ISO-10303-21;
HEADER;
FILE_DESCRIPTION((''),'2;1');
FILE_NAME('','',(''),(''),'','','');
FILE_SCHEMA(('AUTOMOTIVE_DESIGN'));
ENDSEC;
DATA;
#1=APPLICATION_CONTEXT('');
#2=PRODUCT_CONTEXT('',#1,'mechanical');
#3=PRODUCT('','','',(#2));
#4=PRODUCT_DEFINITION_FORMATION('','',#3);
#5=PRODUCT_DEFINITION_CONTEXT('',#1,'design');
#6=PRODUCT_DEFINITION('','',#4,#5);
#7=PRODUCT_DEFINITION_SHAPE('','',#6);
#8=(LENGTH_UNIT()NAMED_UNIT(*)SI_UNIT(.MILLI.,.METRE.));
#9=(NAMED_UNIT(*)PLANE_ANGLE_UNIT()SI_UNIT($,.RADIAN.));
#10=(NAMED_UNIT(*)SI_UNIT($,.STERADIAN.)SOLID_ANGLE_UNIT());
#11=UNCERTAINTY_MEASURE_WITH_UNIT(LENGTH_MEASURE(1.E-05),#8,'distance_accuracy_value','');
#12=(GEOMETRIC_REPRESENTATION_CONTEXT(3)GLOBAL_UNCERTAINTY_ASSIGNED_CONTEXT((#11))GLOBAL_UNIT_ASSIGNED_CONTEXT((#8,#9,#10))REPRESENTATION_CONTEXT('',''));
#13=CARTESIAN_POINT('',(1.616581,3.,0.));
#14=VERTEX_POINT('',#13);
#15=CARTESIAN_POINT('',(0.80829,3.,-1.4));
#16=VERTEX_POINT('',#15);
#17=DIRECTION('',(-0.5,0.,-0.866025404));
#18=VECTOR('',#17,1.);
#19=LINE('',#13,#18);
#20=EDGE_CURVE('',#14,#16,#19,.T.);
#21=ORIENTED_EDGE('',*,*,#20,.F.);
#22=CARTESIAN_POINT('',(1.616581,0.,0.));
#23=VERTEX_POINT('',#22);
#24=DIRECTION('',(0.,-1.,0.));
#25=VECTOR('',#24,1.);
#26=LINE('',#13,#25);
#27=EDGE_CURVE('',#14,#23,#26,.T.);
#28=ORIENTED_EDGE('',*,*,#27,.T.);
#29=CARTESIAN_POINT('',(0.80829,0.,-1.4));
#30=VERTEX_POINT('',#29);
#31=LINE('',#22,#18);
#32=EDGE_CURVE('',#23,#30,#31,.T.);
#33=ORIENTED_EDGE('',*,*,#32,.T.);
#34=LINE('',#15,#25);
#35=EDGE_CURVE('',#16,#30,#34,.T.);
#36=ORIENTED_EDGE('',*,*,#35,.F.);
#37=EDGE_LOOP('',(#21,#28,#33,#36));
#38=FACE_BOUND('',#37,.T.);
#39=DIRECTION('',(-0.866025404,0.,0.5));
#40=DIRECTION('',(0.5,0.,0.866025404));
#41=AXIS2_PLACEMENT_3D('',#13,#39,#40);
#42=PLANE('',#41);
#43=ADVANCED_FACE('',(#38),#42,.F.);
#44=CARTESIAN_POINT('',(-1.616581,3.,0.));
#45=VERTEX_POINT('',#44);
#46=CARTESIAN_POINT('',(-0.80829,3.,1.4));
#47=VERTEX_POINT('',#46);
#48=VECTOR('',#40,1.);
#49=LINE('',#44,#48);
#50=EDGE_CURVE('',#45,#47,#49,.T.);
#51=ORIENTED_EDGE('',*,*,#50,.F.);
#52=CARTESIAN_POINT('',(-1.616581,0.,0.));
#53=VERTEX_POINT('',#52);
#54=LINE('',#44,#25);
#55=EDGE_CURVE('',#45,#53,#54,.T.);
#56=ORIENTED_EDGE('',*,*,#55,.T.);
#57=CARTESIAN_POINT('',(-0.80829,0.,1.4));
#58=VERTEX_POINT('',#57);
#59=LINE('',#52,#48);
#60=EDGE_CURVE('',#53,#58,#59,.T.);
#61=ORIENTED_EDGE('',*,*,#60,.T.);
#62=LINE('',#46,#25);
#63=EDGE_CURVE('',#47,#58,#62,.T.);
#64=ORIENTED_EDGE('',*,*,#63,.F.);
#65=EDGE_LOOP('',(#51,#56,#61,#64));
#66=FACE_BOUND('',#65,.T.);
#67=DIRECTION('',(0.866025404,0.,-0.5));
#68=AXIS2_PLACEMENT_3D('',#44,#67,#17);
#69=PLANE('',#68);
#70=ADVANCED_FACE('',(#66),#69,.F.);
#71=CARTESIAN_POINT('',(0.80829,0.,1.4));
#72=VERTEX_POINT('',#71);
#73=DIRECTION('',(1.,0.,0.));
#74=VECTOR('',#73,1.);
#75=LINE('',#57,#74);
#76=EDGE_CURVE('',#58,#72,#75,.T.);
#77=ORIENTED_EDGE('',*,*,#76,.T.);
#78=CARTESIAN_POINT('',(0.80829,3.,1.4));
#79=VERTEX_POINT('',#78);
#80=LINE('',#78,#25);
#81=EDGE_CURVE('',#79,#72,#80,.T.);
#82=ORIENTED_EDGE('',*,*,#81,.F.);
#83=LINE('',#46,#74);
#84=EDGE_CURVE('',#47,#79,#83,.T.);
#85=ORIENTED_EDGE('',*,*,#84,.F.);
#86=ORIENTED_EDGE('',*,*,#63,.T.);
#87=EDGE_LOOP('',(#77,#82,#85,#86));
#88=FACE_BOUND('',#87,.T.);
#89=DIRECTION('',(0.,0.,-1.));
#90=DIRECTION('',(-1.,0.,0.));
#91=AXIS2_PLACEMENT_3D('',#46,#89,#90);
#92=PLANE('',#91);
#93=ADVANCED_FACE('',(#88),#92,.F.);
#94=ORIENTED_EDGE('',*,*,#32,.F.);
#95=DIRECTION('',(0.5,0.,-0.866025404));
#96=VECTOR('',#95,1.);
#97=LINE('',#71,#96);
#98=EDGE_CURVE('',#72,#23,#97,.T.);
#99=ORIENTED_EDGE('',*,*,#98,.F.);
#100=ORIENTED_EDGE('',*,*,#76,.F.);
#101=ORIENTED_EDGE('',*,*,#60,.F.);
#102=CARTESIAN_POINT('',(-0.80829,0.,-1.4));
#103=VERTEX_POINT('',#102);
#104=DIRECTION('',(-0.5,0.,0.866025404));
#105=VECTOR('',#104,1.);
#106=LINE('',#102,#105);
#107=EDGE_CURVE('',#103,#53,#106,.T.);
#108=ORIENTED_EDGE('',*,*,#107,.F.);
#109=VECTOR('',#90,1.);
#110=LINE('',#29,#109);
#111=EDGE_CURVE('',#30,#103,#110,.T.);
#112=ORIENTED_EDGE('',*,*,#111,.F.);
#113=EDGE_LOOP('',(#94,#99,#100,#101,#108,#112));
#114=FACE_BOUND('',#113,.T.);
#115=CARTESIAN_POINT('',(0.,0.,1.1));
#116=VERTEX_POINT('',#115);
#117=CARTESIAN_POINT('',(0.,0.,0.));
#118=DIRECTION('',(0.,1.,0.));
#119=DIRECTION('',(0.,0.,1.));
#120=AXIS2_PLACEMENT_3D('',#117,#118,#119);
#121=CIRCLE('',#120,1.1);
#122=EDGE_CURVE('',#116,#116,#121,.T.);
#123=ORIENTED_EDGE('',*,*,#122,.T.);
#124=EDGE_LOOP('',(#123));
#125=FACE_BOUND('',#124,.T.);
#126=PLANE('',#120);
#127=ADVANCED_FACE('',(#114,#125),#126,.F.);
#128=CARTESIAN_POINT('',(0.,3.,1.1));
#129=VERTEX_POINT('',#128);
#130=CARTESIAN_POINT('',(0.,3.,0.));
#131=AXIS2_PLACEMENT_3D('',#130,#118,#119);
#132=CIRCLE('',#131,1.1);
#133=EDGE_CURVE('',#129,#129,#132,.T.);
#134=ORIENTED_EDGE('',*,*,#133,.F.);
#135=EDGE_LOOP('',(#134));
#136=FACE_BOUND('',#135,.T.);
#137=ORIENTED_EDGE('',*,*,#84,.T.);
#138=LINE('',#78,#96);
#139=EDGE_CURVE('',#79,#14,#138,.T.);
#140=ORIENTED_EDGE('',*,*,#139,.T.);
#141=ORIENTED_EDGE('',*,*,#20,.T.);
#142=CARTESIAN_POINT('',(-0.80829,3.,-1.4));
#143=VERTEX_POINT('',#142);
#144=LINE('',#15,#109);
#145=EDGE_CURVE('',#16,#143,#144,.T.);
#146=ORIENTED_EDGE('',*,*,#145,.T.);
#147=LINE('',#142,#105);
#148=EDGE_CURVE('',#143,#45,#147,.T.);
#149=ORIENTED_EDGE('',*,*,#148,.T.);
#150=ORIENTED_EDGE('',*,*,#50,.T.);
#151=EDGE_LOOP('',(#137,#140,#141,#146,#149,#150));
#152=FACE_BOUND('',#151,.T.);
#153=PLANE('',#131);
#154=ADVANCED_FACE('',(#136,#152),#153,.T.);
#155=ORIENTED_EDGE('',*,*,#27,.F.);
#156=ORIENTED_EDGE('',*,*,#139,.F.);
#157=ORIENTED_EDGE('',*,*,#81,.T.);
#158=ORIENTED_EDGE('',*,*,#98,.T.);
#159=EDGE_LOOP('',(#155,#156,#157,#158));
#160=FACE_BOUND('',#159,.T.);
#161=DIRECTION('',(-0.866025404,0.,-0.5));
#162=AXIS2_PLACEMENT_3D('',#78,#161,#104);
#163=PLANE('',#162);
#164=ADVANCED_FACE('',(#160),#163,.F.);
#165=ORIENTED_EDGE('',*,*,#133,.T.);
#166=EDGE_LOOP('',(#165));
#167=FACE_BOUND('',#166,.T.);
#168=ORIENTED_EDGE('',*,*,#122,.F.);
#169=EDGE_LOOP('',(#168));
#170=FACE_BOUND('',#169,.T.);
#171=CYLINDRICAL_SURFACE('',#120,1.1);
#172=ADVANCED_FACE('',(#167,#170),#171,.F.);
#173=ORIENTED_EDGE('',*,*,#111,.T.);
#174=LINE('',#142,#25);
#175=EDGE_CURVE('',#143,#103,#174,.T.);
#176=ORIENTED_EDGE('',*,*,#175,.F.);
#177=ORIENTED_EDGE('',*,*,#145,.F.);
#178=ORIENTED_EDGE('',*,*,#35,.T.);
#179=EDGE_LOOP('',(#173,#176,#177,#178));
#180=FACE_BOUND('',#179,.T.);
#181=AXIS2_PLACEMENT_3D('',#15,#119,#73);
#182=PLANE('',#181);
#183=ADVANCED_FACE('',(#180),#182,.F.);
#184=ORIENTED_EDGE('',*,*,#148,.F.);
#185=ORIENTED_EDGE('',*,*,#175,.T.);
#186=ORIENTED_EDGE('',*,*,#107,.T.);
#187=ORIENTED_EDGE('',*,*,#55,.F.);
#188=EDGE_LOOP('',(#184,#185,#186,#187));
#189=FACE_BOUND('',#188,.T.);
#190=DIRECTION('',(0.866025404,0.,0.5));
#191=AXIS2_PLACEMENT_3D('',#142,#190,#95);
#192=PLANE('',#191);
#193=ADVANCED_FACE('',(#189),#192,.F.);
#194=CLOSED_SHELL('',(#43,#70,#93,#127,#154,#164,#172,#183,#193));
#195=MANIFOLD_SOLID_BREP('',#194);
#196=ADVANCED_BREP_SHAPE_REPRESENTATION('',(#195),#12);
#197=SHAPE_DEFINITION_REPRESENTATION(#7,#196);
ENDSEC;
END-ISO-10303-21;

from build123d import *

# Parameters (mm, degrees)
EXTRUDE_1_DEPTH     = 3
SKETCH_2_R          = 1.1
CUT_EXTRUDE_1_DEPTH = 4


with BuildPart() as part:
    # 草图1 → 凸台-拉伸1 (new body)
    with BuildSketch(Plane(origin=(0, 0, 0), x_dir=(1, 0, 0), z_dir=(0, 1, 0))):
        Polygon((1.616580754, 0), (0.808290377, 1.4), (-0.808290377, 1.4), (-1.616580754, 0), (-0.808290377, -1.4), (0.808290377, -1.4), align=None)
    extrude(amount=EXTRUDE_1_DEPTH)

    # 草图2 → 切除-拉伸1 (cut, through all)
    with BuildSketch(Plane(origin=(0, 3, 0), x_dir=(1, 0, 0), z_dir=(0, 1, 0))):
        Circle(SKETCH_2_R)
    extrude(amount=-CUT_EXTRUDE_1_DEPTH, mode=Mode.SUBTRACT)


solid = part.part
